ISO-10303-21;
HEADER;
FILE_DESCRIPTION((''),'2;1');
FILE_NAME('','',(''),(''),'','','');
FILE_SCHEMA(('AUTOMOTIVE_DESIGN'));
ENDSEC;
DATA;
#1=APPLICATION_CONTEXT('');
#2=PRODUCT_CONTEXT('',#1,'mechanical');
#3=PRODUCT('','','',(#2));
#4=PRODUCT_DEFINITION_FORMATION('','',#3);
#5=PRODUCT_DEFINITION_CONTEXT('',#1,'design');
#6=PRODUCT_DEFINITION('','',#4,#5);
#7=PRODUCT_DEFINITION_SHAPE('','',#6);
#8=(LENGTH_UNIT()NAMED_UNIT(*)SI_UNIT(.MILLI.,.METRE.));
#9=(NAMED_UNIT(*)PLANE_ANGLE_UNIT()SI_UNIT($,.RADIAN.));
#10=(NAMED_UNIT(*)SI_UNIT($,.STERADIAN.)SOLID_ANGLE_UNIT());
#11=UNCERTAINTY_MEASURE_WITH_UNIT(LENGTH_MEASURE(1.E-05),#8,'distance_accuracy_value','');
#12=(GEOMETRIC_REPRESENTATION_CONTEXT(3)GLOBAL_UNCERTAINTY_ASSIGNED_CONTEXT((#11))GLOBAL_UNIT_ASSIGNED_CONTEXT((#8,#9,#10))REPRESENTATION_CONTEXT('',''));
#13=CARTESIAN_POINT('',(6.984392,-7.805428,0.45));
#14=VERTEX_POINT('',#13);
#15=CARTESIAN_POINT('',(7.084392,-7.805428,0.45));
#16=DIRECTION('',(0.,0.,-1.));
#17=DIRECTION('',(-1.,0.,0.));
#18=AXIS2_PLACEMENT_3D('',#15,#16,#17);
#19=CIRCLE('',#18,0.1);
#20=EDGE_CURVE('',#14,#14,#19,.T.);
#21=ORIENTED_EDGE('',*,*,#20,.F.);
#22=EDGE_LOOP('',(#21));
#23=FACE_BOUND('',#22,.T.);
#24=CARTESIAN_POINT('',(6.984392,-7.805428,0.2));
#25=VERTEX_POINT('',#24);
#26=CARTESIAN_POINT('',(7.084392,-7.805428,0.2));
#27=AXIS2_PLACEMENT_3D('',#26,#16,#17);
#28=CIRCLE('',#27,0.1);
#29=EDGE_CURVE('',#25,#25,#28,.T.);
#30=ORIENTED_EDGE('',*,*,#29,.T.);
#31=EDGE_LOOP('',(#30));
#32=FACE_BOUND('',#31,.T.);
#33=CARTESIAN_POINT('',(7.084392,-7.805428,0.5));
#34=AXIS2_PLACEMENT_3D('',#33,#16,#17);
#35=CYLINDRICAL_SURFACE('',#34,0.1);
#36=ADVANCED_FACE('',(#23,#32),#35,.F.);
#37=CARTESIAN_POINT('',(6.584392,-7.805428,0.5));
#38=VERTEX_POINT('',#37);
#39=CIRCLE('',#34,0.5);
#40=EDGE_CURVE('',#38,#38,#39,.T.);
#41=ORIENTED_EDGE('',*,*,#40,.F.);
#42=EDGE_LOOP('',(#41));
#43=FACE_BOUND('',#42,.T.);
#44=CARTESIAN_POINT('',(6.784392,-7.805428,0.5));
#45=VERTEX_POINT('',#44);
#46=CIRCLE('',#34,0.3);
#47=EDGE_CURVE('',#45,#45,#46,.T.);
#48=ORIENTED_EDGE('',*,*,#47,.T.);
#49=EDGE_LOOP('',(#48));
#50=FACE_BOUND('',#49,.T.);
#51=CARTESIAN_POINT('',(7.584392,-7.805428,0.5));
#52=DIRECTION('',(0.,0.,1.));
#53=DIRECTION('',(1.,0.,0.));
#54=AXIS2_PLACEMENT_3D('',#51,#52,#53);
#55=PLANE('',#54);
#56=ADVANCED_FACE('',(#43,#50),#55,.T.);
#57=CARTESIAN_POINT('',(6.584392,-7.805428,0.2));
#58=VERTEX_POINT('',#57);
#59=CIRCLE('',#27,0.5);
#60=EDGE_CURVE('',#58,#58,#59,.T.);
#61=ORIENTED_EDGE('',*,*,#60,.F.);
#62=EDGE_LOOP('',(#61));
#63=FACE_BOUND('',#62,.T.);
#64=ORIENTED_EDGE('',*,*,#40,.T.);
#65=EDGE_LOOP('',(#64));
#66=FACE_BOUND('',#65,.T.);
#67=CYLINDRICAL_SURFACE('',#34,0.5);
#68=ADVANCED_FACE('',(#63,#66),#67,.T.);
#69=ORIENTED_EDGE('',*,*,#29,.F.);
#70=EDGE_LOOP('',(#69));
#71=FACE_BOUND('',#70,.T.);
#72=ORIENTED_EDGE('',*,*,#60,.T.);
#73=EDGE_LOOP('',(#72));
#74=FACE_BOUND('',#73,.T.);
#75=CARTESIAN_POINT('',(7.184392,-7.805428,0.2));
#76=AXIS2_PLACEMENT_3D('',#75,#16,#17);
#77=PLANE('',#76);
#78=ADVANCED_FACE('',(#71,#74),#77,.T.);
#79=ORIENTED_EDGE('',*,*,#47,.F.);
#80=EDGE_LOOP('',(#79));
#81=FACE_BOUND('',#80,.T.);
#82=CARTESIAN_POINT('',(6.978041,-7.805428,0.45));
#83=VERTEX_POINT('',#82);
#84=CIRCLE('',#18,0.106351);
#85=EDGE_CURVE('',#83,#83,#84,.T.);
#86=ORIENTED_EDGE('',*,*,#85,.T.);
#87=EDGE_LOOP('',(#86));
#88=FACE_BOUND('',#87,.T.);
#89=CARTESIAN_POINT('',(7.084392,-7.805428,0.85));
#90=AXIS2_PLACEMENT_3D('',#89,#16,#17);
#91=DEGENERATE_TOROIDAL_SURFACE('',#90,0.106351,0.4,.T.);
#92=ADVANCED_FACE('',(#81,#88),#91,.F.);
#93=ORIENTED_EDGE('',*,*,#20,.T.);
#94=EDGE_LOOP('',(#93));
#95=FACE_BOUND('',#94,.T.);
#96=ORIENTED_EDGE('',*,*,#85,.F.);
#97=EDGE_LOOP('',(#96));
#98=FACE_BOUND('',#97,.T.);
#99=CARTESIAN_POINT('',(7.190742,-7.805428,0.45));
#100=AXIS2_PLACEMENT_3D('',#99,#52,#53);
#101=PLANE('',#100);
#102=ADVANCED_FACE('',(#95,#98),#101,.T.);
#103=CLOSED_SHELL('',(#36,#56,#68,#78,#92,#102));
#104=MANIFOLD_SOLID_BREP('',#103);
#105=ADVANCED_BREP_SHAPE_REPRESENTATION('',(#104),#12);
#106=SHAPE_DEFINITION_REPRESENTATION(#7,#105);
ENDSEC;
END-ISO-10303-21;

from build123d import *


with BuildPart() as part:
    # Sketch1 → Revolve1 (revolve)
    with BuildSketch(Plane.XZ.offset(7.80542761)):
        with BuildLine():
            Line((7.58439152, 0.2), (7.58439152, 0.5))
            Line((7.58439152, 0.5), (7.38439152, 0.5))
            ThreePointArc((7.38439152, 0.5), (7.290742353, 0.462701665), (7.190742353, 0.45))
            Line((7.190742353, 0.45), (7.18439152, 0.45))
            Line((7.18439152, 0.45), (7.18439152, 0.2))
            Line((7.18439152, 0.2), (7.58439152, 0.2))
        make_face()
    revolve(axis=Axis((7.08439152, -7.80542761, 0.5), (0, 0, -1)))


solid = part.part
